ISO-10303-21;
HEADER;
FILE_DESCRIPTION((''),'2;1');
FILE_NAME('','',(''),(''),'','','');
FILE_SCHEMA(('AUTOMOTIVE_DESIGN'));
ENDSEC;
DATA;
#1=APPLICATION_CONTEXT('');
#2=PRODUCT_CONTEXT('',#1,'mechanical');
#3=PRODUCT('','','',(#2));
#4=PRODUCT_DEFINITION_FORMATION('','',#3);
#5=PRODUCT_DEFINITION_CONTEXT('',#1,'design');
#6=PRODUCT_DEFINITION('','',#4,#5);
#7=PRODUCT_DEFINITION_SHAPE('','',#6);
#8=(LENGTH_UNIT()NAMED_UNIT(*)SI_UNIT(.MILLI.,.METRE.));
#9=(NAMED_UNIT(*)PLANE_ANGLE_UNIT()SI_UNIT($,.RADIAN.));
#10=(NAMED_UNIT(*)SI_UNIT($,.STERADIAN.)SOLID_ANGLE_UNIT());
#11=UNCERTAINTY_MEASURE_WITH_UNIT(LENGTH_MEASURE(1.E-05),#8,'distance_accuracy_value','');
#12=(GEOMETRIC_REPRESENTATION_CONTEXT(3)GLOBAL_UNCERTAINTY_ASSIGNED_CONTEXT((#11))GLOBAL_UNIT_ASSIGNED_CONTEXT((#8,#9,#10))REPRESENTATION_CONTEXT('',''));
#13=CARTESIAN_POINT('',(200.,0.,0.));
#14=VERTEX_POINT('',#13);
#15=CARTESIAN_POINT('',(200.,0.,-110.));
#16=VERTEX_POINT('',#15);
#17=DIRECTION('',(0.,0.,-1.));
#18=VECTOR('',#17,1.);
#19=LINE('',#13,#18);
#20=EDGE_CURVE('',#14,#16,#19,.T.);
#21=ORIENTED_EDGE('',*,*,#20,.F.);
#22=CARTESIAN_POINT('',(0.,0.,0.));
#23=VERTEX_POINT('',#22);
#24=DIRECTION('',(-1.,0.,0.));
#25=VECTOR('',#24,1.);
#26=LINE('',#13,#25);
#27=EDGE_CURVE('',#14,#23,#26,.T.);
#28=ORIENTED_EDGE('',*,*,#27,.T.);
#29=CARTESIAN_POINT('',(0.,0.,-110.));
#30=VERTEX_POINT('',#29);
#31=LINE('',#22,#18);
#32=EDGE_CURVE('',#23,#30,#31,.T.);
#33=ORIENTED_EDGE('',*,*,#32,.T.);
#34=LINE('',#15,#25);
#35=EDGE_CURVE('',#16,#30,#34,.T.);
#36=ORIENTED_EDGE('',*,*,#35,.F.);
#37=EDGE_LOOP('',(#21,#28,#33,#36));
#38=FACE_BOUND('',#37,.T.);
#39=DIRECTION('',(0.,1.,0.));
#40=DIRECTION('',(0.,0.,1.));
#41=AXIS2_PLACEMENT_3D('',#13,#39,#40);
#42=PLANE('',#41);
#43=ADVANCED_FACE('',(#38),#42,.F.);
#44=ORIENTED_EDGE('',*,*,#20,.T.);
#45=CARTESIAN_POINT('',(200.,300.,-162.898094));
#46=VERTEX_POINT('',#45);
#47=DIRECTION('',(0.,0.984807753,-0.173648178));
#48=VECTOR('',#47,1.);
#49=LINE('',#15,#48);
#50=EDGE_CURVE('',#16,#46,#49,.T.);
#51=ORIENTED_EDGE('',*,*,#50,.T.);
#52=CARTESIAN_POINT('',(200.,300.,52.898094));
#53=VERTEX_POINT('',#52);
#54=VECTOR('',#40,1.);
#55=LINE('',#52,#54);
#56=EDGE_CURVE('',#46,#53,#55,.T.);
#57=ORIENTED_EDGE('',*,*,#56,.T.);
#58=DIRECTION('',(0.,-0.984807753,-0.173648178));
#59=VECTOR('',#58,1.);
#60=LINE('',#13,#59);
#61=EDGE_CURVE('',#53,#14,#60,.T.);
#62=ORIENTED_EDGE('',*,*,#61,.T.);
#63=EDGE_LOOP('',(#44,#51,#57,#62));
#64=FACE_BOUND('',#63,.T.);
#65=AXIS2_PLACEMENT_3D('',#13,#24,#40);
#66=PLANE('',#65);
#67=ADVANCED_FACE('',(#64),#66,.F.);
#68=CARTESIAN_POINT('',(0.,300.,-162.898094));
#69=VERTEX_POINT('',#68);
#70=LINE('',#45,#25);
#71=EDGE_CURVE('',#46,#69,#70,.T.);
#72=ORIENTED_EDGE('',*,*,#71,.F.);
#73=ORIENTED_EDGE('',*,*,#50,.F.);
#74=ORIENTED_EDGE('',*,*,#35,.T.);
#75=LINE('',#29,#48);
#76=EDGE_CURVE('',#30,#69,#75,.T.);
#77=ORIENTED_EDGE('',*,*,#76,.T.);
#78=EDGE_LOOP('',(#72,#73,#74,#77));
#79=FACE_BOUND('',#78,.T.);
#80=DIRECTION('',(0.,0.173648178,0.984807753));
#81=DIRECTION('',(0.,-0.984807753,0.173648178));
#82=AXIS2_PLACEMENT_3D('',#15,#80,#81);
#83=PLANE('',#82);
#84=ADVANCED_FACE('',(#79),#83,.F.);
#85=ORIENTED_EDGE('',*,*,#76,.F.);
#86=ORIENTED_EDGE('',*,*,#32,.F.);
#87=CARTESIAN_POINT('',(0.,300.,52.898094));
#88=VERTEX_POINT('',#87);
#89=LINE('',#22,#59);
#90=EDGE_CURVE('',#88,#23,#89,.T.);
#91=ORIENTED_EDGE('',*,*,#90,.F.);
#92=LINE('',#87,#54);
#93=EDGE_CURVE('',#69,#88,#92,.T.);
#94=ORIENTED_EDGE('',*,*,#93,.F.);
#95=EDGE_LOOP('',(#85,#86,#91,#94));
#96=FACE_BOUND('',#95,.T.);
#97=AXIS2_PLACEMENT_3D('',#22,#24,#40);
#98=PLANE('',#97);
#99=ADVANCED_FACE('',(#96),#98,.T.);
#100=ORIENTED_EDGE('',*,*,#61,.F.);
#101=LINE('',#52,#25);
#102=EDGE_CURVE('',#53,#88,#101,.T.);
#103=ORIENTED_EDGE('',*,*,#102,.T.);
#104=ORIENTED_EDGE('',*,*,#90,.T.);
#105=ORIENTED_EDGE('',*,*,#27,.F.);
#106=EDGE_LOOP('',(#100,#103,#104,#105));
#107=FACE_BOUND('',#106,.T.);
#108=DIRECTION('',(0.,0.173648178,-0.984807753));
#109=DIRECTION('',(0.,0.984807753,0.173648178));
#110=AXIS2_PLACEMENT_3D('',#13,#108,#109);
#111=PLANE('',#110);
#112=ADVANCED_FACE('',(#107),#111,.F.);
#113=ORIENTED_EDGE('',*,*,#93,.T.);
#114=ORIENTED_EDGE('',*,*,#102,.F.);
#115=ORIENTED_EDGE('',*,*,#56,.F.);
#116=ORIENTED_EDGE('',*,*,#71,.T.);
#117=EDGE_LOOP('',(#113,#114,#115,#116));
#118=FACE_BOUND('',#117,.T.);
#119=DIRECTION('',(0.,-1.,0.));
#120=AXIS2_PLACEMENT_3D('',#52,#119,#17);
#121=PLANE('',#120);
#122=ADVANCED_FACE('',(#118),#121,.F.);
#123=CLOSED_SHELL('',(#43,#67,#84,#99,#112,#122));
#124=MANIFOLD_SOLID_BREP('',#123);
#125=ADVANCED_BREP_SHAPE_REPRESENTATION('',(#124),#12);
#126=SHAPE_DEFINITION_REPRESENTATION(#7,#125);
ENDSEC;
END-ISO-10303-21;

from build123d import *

# Parameters (mm, degrees)
SALIENTE_EXTRUIR1_DEPTH = 200


with BuildPart() as part:
    # Croquis1 → Saliente-Extruir1 (new body)
    with BuildSketch(Plane(origin=(0, 0, 0), x_dir=(0, 0, -1), z_dir=(1, 0, 0))):
        Polygon((0, 0), (110, 0), (162.898094213, 300), (-52.898094213, 300), align=None)
    extrude(amount=SALIENTE_EXTRUIR1_DEPTH)


solid = part.part
